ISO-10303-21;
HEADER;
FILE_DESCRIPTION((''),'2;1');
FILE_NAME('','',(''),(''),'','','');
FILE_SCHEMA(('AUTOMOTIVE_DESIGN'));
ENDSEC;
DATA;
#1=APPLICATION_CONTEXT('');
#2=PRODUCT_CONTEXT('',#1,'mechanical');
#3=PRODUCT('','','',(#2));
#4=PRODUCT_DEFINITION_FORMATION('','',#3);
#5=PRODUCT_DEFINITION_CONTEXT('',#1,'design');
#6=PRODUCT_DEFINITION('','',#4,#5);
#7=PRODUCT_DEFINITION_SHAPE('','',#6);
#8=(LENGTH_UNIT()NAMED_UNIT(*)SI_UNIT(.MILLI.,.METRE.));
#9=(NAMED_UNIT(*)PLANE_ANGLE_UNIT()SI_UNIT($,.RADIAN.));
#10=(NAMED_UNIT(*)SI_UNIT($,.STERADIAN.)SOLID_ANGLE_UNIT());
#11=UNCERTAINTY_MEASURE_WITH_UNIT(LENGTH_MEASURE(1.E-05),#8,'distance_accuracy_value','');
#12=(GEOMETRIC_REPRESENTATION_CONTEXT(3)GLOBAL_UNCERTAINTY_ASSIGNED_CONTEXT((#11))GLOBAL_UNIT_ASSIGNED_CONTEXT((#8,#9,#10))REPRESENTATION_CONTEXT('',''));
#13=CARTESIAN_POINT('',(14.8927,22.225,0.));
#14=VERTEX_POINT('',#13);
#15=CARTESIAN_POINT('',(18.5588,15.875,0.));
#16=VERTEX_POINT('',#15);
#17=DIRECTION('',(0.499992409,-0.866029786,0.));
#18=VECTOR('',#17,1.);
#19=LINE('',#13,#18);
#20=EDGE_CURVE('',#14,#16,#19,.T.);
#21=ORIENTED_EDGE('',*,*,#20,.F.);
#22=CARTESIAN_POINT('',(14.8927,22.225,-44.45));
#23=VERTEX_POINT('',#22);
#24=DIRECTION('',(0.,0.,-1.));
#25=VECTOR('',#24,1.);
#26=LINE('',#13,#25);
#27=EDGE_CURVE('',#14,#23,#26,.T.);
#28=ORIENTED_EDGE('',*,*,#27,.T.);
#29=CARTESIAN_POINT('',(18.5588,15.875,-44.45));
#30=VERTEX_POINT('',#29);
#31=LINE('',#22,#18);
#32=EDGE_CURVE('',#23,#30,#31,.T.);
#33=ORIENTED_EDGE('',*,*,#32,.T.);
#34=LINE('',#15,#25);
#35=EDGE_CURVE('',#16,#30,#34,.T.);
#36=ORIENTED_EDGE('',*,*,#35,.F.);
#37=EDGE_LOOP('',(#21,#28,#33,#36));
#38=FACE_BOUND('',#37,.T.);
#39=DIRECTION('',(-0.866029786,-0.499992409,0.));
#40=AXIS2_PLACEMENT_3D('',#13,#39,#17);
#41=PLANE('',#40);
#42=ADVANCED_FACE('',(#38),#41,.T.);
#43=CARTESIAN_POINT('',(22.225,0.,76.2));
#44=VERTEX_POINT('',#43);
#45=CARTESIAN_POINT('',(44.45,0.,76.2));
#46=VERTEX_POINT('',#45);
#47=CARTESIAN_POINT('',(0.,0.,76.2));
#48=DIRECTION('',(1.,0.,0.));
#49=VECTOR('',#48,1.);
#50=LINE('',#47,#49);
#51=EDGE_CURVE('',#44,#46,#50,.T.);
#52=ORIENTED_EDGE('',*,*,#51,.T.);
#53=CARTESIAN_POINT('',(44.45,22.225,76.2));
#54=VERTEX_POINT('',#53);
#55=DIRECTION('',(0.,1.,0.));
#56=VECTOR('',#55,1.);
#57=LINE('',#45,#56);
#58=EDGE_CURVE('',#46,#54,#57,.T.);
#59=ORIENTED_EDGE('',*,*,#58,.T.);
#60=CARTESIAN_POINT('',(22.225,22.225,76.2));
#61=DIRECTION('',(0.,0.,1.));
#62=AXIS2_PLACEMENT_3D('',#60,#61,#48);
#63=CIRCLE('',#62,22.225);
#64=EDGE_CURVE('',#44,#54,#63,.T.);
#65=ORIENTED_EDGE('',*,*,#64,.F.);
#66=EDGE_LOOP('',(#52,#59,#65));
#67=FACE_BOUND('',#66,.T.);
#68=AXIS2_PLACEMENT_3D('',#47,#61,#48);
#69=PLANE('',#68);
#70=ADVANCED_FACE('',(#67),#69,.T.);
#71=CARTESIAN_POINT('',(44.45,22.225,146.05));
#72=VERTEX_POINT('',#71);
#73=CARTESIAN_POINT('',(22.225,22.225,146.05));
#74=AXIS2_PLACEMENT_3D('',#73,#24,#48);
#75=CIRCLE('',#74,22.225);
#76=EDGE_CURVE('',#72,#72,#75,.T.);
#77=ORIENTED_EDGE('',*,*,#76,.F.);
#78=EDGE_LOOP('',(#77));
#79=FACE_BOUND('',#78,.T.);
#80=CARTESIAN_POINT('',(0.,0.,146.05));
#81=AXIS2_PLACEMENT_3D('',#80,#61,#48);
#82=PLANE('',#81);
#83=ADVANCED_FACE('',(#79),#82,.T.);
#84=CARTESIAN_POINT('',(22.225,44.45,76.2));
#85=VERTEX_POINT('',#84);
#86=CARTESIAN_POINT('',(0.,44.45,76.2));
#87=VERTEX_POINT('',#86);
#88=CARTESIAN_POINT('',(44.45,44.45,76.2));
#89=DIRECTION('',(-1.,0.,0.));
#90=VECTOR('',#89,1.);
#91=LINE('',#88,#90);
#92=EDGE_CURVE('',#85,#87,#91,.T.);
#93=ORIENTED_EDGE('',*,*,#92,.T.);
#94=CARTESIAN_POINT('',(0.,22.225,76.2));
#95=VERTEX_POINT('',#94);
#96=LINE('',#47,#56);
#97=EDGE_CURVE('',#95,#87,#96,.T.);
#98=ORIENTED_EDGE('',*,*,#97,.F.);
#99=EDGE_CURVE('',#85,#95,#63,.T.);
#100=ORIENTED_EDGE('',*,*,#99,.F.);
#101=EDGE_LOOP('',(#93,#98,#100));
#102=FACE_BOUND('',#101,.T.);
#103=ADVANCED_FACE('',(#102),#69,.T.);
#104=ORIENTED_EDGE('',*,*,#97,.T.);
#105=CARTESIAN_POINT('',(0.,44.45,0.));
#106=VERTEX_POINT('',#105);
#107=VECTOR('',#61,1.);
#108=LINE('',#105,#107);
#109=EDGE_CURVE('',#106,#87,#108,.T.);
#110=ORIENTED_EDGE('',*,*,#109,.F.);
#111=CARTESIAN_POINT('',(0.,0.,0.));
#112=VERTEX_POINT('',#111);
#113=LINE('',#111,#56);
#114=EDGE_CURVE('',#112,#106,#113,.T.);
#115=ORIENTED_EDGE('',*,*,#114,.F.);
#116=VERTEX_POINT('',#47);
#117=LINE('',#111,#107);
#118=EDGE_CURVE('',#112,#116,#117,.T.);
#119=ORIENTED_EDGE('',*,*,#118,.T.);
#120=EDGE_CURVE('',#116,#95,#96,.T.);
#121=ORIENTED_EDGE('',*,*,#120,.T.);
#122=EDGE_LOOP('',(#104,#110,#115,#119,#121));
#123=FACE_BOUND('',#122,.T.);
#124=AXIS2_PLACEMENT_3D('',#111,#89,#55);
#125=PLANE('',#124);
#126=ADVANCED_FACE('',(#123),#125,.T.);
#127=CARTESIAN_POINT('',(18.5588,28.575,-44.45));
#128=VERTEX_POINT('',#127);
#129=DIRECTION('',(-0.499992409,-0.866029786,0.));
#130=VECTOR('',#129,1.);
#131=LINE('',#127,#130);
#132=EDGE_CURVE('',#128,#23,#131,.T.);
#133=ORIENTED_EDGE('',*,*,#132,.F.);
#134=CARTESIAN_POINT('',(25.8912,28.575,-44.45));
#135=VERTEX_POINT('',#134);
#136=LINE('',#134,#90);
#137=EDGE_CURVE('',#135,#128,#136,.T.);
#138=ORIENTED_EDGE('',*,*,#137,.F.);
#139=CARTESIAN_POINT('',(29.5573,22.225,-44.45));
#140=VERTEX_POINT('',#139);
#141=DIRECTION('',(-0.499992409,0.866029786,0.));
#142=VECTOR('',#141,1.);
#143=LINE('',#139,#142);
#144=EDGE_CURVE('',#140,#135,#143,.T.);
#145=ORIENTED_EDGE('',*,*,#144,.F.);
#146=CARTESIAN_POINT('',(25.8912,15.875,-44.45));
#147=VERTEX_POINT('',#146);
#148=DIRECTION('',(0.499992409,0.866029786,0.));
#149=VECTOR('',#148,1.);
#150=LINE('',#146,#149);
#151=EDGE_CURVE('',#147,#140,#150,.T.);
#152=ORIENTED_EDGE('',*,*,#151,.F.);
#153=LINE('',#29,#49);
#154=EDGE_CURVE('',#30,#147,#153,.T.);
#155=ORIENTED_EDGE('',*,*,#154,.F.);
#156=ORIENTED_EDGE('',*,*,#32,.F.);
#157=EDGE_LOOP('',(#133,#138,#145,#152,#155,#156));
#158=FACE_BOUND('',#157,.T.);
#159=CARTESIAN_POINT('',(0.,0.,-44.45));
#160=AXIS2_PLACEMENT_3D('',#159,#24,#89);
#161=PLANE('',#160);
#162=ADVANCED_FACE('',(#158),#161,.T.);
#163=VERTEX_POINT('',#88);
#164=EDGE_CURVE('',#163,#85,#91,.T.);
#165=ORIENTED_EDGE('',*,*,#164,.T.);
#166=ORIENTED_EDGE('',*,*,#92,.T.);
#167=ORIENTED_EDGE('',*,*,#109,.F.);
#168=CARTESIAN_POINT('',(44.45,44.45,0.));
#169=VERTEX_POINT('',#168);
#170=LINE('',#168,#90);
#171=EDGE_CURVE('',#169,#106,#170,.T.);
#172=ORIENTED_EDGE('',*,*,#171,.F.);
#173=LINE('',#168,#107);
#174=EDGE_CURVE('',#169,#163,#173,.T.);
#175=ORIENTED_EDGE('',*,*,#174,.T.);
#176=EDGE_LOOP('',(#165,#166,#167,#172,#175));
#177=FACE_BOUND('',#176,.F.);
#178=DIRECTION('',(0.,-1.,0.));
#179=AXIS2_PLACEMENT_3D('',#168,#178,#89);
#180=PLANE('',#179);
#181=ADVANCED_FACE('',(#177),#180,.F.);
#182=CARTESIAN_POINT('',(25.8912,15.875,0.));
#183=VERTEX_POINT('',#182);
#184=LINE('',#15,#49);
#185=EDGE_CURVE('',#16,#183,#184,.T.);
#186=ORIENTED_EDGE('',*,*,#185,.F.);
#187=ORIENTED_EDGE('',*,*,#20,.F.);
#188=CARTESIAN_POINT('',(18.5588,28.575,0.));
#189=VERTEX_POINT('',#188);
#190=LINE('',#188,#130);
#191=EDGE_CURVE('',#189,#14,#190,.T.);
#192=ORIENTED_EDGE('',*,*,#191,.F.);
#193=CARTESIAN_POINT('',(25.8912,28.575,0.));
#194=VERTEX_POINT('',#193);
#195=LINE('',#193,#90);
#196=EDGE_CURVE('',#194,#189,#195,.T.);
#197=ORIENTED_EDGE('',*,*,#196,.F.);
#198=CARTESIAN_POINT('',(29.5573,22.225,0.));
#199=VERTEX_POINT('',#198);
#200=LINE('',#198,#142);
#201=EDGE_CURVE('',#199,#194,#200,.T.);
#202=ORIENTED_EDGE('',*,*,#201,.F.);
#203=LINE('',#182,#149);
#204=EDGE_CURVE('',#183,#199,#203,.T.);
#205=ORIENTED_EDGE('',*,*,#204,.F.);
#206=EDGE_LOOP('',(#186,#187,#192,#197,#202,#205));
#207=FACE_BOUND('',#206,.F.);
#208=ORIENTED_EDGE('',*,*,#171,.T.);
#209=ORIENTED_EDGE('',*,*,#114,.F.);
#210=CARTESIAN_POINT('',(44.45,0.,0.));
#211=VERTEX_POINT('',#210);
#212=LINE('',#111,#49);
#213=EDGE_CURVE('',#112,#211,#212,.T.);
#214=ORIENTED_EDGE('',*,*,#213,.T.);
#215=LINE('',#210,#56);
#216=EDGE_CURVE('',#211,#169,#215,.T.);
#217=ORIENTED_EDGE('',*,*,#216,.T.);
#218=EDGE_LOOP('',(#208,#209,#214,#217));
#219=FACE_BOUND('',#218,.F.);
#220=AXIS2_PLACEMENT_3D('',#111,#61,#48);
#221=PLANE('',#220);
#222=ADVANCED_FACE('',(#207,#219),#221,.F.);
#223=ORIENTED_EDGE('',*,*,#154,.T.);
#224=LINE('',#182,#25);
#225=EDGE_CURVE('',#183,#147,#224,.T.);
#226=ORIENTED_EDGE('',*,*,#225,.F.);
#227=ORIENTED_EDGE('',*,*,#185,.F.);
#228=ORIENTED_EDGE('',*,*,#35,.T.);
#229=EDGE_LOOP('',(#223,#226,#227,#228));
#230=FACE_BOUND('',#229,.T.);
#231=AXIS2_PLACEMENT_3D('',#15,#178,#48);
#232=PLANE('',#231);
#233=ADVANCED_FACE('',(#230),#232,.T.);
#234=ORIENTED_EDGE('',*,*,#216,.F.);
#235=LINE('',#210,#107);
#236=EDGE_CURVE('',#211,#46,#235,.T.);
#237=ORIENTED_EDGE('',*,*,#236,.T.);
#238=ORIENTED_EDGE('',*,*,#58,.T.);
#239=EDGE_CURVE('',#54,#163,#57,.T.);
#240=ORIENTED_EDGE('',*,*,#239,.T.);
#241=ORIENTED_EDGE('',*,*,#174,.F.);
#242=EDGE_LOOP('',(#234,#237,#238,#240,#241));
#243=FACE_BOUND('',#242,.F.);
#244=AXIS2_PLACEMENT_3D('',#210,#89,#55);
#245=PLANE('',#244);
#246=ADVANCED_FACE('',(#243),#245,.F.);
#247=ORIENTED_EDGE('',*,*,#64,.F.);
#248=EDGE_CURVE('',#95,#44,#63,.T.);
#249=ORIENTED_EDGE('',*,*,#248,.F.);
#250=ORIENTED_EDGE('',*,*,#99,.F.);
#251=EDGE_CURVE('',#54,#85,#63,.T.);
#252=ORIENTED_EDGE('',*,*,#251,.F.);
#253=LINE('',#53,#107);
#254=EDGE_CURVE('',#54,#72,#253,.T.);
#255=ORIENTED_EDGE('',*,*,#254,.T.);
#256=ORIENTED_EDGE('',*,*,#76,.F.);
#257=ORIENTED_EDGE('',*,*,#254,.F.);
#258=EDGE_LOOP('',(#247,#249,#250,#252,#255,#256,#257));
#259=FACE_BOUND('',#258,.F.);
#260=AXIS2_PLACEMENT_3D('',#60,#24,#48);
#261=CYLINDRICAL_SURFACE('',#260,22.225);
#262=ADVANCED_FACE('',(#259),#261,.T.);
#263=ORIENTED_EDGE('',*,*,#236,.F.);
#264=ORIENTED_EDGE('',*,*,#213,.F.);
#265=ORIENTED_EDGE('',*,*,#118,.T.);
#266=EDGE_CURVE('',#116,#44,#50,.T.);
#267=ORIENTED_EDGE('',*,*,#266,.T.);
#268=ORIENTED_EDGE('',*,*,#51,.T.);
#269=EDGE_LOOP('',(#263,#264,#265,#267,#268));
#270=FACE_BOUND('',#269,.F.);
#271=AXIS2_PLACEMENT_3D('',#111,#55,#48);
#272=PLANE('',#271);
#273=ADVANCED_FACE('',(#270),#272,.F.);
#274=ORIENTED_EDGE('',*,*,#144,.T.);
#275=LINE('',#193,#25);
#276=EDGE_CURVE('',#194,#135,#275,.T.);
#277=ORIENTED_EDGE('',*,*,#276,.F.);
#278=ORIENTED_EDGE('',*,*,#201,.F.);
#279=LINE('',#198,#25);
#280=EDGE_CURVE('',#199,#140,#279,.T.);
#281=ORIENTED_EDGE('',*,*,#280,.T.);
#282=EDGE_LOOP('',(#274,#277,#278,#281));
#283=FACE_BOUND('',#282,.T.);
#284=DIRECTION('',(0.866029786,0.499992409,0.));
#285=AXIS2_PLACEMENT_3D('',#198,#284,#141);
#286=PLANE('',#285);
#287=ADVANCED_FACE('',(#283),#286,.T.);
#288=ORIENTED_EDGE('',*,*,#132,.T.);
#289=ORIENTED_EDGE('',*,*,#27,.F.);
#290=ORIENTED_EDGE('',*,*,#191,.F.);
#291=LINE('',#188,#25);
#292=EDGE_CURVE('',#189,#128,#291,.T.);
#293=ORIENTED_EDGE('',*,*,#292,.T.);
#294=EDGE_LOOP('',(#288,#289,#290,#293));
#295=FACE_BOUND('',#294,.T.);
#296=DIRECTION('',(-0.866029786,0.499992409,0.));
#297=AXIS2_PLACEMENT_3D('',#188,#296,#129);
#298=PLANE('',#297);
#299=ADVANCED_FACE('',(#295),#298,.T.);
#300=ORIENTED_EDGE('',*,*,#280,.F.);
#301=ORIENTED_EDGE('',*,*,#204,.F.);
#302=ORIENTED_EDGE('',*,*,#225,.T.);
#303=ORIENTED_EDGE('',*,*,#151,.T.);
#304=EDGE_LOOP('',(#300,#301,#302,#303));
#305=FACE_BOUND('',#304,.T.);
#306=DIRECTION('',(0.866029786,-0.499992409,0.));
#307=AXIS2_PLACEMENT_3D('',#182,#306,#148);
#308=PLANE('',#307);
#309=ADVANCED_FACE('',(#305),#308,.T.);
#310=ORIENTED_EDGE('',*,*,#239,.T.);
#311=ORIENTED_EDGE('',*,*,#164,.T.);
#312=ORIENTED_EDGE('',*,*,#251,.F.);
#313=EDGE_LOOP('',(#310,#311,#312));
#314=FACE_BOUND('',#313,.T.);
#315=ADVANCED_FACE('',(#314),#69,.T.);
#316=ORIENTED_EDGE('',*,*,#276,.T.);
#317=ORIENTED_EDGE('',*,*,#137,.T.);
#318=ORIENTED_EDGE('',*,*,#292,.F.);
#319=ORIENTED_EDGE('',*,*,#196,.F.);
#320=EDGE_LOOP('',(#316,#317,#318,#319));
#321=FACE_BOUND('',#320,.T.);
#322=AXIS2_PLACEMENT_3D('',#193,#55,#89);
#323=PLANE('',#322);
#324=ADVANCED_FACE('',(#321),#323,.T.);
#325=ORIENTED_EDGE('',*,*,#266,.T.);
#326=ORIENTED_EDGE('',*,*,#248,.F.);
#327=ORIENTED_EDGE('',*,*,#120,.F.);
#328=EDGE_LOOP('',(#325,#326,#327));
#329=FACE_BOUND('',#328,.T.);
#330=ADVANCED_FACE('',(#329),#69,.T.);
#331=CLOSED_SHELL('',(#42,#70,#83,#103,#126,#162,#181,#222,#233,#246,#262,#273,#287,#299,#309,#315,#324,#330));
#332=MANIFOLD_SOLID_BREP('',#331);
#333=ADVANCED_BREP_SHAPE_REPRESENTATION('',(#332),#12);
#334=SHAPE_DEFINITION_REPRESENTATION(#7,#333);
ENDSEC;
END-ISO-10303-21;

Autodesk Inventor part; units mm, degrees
ref_plane "YZ Plane" through (0, 0, 0) normal (1, 0, 0) x (0, 1, 0)
ref_plane "XZ Plane" through (0, 0, 0) normal (0, 1, 0) x (-1, 0, 0)
ref_plane "XY Plane" through (0, 0, 0) normal (0, 0, 1) x (1, 0, 0)
sketch "Sketch1" plane through (0, 0, 0) normal (0, 0, 1) x (1, 0, 0)
  line L0 (0, 0) -> (0, 44.45)
  line L1 (0, 0) -> (44.45, 0)
  line L2 (44.45, 0) -> (44.45, 44.45)
  line L3 (44.45, 44.45) -> (0, 44.45)
  dimension "d1" = 44.45
  dimension "d2" = 44.45
extrude "Extrusion1" add sketch "Sketch1" along normal blind 76.2
sketch "Sketch2" plane through (0, 0, 76.2) normal (0, 0, 1) x (1, 0, 0)
  circle A0 centre (22.225, 22.225) radius 22.225
  line L0 (44.45, 44.45) -> (0, 44.45) projected
  line L1 (44.45, 0) -> (44.45, 44.45) projected
  point P0 (0, 0)
  dimension "d5" = 44.45
  dimension "d6" = 22.225
  dimension "d7" = 22.225
extrude "Extrusion2" add sketch "Sketch2" along normal blind 69.85 contours A0
sketch "Sketch3" plane through (0, 0, 0) normal (0, 0, -1) x (-1, 0, 0)
  line L0 (-18.5588, 15.875) -> (-25.8912, 15.875)
  line L1 (-25.8912, 15.875) -> (-29.5573, 22.225)
  line L2 (-29.5573, 22.225) -> (-25.8912, 28.575)
  line L3 (-25.8912, 28.575) -> (-18.5588, 28.575)
  line L4 (-18.5588, 28.575) -> (-14.8927, 22.225)
  line L5 (-14.8927, 22.225) -> (-18.5588, 15.875)
  line L6 (-44.45, 0) -> (0, 0) projected
  line L7 (0, 0) -> (0, 44.45) projected
  point P0 (-22.225, 22.225)
  dimension "d10" = 12.7
  dimension "d11" = 22.225
  dimension "d12" = 22.225
extrude "Extrusion3" add sketch "Sketch3" along normal blind 44.45
properties part number "Bag elevator Motor"
